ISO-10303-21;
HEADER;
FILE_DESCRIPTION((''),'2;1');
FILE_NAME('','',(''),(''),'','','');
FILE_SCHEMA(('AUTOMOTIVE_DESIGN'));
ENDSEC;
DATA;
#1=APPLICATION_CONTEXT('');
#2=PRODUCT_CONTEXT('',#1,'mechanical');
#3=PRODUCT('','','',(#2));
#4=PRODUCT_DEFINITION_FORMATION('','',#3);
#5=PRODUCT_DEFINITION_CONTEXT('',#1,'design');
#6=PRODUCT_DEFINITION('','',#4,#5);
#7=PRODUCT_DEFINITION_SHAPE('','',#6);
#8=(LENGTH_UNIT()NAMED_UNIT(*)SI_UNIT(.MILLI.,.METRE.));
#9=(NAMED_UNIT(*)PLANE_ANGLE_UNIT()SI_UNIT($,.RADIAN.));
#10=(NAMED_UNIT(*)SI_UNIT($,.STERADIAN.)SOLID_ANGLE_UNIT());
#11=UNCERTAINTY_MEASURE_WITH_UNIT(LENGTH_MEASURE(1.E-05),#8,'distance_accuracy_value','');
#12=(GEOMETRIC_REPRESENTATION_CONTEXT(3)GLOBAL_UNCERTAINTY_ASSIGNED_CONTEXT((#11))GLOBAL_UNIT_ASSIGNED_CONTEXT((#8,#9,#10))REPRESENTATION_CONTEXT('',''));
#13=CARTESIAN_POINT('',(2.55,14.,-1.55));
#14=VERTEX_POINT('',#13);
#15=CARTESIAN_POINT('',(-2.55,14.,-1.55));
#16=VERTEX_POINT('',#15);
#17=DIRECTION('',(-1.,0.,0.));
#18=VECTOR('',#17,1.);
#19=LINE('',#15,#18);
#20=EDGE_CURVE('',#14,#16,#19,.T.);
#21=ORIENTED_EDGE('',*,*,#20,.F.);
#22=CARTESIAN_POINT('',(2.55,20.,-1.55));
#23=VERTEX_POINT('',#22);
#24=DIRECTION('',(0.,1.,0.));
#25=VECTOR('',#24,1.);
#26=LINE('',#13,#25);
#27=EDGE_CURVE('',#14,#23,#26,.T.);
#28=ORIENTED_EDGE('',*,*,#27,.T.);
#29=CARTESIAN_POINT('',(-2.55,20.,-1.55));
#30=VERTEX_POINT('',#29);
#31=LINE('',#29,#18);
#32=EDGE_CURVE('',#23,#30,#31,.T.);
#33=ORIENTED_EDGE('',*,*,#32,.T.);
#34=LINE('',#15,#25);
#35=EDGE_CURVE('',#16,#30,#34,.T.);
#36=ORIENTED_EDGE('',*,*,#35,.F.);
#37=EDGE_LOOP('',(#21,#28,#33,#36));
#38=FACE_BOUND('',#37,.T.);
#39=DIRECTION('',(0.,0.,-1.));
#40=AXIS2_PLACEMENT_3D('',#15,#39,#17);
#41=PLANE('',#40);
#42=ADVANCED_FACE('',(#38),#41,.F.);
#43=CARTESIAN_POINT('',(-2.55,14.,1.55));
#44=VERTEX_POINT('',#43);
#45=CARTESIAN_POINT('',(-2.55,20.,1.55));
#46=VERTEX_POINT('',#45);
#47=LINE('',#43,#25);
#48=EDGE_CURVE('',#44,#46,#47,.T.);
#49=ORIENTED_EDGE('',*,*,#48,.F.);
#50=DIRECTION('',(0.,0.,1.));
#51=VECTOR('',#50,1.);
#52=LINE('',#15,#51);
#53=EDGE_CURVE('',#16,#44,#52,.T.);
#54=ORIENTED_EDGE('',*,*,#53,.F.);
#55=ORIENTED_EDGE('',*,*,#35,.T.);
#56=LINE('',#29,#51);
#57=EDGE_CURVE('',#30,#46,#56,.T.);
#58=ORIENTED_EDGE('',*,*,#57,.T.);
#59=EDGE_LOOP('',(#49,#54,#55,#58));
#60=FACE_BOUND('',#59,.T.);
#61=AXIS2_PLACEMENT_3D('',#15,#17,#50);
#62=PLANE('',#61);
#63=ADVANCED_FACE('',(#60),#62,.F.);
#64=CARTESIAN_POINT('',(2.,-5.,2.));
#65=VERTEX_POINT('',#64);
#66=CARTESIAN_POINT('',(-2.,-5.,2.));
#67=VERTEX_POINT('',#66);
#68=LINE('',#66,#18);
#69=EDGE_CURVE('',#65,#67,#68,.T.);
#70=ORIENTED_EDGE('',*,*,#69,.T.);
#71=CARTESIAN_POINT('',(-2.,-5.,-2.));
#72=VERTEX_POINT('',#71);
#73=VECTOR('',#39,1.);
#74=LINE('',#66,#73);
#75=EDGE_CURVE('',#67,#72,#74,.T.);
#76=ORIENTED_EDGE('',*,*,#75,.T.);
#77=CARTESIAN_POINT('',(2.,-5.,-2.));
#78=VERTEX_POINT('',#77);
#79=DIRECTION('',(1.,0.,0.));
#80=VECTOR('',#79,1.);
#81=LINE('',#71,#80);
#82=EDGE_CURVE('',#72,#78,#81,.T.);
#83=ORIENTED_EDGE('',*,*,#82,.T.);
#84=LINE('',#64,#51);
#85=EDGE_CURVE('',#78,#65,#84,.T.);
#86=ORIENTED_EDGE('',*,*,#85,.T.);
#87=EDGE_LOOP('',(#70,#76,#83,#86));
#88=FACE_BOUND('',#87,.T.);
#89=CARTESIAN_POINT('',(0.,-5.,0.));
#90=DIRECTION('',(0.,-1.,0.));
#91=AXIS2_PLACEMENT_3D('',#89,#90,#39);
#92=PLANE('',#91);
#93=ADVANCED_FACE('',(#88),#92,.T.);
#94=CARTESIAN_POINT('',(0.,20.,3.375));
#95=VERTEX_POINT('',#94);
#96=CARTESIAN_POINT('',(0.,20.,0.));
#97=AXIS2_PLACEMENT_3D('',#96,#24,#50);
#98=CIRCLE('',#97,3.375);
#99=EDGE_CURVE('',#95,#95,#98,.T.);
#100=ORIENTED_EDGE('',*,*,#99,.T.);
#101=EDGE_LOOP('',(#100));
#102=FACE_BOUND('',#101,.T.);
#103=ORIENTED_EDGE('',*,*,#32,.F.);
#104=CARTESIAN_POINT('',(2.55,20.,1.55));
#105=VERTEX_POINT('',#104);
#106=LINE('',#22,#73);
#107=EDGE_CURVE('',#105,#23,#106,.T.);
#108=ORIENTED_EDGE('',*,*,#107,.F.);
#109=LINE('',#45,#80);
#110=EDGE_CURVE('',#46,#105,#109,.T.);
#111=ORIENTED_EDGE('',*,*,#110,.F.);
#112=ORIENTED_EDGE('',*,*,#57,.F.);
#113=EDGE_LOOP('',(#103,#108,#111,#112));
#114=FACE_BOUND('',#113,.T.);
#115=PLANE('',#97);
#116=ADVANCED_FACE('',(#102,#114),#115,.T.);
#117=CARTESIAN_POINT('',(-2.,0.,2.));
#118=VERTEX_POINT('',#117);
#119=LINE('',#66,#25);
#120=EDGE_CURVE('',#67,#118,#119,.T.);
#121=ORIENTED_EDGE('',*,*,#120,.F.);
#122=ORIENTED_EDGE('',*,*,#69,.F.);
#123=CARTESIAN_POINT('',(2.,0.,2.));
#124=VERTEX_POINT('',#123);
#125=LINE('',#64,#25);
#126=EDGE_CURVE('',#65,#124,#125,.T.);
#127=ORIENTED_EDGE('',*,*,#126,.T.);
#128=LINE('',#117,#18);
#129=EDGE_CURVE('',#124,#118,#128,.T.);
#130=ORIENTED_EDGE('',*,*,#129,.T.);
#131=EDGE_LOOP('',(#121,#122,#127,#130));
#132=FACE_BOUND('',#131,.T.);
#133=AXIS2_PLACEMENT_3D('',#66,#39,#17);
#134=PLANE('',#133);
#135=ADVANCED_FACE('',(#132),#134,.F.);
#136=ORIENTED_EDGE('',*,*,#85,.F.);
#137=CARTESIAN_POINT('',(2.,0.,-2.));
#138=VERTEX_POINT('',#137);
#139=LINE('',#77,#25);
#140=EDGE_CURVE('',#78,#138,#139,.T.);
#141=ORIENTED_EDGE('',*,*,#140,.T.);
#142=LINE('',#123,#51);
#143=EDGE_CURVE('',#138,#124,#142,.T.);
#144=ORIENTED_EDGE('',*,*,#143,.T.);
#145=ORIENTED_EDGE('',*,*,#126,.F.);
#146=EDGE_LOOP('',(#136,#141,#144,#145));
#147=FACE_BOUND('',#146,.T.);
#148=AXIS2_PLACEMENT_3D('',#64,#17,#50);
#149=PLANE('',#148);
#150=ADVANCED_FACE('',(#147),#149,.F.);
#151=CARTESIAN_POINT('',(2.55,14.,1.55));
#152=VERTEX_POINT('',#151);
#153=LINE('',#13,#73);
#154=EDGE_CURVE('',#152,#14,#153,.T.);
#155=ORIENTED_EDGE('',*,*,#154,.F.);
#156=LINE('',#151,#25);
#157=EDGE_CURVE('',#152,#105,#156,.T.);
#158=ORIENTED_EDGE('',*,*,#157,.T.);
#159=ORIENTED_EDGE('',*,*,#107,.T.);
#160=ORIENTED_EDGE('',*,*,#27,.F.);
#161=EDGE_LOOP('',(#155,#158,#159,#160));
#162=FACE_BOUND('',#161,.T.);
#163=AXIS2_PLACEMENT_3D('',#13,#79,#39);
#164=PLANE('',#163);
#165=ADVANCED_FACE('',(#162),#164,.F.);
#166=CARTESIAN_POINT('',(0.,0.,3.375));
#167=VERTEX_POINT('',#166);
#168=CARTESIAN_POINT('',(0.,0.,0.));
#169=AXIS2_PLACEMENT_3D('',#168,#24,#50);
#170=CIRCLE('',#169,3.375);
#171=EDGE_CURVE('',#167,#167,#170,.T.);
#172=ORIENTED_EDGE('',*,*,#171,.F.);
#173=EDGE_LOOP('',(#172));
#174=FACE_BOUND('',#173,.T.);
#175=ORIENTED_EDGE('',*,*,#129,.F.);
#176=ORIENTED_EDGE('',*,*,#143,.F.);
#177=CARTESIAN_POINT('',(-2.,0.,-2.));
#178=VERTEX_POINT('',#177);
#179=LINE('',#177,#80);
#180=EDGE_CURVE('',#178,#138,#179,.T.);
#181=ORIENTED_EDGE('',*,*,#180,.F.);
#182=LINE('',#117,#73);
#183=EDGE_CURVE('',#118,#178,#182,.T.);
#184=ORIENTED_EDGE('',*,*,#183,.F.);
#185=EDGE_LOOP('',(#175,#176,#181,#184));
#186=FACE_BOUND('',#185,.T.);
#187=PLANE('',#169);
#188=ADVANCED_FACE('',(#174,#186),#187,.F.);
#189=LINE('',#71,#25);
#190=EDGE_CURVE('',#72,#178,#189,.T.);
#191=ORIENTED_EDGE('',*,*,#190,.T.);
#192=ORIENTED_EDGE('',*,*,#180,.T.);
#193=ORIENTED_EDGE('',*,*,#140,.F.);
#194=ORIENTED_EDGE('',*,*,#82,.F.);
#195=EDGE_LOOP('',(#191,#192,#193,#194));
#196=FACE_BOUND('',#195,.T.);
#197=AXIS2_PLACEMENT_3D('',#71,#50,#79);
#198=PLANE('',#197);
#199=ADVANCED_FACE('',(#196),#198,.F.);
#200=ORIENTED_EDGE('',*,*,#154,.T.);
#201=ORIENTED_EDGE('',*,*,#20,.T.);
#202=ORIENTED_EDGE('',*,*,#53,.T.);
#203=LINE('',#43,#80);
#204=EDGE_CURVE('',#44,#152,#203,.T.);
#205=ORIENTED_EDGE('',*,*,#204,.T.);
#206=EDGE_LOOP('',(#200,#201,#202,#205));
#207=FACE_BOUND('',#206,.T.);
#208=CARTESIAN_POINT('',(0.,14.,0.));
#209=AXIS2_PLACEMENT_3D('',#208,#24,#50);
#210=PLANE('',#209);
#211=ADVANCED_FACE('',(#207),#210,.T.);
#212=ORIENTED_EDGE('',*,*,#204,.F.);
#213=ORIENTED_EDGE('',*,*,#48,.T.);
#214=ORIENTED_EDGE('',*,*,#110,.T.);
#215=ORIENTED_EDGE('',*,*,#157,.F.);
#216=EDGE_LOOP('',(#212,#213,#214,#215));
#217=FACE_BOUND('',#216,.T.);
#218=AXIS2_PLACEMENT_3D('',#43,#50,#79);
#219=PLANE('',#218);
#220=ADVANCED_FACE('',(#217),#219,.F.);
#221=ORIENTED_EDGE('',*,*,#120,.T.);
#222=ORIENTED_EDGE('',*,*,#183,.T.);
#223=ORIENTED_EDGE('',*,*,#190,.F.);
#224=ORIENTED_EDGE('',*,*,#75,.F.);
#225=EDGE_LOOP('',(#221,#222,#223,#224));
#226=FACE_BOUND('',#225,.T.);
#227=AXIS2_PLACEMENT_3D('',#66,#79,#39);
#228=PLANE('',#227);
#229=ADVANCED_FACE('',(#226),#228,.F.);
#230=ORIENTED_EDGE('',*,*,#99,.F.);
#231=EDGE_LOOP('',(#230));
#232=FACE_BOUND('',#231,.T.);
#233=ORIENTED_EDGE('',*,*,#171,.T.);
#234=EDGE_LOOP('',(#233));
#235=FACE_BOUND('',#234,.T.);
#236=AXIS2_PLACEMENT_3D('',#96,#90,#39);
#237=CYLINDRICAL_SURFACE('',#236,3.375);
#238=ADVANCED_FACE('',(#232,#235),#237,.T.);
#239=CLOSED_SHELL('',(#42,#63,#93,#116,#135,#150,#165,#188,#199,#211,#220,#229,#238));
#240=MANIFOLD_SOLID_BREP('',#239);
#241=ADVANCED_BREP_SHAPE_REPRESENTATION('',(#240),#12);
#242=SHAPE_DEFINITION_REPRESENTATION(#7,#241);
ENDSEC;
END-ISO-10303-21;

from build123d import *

# Parameters (mm, degrees)
SKETCH1_R           = 3.375
BOSS_EXTRUDE1_DEPTH = 20
SKETCH3_W           = 5.1
SKETCH3_H           = 3.1
CUT_EXTRUDE2_DEPTH  = 6
SKETCH2_W           = 4
SKETCH2_H           = 4
BOSS_EXTRUDE2_DEPTH = 5


with BuildPart() as part:
    # Sketch1 → Boss-Extrude1 (new body)
    with BuildSketch(Plane(origin=(0, 0, 0), x_dir=(1, 0, 0), z_dir=(0, 1, 0))):
        with Locations(Location((0, 0, 0), (0, 0, 270))):
            Circle(SKETCH1_R)
    extrude(amount=BOSS_EXTRUDE1_DEPTH)

    # Sketch3 → Cut-Extrude2 (cut)
    with BuildSketch(Plane(origin=(0, 20, 0), x_dir=(1, 0, 0), z_dir=(0, 1, 0))):
        Rectangle(SKETCH3_W, SKETCH3_H)
    extrude(amount=-CUT_EXTRUDE2_DEPTH, mode=Mode.SUBTRACT)

    # Sketch2 → Boss-Extrude2 (add)
    with BuildSketch(Plane(origin=(0, 0, 0), x_dir=(-1, 0, 0), z_dir=(0, -1, 0))):
        Rectangle(SKETCH2_W, SKETCH2_H)
    extrude(amount=BOSS_EXTRUDE2_DEPTH)


solid = part.part
